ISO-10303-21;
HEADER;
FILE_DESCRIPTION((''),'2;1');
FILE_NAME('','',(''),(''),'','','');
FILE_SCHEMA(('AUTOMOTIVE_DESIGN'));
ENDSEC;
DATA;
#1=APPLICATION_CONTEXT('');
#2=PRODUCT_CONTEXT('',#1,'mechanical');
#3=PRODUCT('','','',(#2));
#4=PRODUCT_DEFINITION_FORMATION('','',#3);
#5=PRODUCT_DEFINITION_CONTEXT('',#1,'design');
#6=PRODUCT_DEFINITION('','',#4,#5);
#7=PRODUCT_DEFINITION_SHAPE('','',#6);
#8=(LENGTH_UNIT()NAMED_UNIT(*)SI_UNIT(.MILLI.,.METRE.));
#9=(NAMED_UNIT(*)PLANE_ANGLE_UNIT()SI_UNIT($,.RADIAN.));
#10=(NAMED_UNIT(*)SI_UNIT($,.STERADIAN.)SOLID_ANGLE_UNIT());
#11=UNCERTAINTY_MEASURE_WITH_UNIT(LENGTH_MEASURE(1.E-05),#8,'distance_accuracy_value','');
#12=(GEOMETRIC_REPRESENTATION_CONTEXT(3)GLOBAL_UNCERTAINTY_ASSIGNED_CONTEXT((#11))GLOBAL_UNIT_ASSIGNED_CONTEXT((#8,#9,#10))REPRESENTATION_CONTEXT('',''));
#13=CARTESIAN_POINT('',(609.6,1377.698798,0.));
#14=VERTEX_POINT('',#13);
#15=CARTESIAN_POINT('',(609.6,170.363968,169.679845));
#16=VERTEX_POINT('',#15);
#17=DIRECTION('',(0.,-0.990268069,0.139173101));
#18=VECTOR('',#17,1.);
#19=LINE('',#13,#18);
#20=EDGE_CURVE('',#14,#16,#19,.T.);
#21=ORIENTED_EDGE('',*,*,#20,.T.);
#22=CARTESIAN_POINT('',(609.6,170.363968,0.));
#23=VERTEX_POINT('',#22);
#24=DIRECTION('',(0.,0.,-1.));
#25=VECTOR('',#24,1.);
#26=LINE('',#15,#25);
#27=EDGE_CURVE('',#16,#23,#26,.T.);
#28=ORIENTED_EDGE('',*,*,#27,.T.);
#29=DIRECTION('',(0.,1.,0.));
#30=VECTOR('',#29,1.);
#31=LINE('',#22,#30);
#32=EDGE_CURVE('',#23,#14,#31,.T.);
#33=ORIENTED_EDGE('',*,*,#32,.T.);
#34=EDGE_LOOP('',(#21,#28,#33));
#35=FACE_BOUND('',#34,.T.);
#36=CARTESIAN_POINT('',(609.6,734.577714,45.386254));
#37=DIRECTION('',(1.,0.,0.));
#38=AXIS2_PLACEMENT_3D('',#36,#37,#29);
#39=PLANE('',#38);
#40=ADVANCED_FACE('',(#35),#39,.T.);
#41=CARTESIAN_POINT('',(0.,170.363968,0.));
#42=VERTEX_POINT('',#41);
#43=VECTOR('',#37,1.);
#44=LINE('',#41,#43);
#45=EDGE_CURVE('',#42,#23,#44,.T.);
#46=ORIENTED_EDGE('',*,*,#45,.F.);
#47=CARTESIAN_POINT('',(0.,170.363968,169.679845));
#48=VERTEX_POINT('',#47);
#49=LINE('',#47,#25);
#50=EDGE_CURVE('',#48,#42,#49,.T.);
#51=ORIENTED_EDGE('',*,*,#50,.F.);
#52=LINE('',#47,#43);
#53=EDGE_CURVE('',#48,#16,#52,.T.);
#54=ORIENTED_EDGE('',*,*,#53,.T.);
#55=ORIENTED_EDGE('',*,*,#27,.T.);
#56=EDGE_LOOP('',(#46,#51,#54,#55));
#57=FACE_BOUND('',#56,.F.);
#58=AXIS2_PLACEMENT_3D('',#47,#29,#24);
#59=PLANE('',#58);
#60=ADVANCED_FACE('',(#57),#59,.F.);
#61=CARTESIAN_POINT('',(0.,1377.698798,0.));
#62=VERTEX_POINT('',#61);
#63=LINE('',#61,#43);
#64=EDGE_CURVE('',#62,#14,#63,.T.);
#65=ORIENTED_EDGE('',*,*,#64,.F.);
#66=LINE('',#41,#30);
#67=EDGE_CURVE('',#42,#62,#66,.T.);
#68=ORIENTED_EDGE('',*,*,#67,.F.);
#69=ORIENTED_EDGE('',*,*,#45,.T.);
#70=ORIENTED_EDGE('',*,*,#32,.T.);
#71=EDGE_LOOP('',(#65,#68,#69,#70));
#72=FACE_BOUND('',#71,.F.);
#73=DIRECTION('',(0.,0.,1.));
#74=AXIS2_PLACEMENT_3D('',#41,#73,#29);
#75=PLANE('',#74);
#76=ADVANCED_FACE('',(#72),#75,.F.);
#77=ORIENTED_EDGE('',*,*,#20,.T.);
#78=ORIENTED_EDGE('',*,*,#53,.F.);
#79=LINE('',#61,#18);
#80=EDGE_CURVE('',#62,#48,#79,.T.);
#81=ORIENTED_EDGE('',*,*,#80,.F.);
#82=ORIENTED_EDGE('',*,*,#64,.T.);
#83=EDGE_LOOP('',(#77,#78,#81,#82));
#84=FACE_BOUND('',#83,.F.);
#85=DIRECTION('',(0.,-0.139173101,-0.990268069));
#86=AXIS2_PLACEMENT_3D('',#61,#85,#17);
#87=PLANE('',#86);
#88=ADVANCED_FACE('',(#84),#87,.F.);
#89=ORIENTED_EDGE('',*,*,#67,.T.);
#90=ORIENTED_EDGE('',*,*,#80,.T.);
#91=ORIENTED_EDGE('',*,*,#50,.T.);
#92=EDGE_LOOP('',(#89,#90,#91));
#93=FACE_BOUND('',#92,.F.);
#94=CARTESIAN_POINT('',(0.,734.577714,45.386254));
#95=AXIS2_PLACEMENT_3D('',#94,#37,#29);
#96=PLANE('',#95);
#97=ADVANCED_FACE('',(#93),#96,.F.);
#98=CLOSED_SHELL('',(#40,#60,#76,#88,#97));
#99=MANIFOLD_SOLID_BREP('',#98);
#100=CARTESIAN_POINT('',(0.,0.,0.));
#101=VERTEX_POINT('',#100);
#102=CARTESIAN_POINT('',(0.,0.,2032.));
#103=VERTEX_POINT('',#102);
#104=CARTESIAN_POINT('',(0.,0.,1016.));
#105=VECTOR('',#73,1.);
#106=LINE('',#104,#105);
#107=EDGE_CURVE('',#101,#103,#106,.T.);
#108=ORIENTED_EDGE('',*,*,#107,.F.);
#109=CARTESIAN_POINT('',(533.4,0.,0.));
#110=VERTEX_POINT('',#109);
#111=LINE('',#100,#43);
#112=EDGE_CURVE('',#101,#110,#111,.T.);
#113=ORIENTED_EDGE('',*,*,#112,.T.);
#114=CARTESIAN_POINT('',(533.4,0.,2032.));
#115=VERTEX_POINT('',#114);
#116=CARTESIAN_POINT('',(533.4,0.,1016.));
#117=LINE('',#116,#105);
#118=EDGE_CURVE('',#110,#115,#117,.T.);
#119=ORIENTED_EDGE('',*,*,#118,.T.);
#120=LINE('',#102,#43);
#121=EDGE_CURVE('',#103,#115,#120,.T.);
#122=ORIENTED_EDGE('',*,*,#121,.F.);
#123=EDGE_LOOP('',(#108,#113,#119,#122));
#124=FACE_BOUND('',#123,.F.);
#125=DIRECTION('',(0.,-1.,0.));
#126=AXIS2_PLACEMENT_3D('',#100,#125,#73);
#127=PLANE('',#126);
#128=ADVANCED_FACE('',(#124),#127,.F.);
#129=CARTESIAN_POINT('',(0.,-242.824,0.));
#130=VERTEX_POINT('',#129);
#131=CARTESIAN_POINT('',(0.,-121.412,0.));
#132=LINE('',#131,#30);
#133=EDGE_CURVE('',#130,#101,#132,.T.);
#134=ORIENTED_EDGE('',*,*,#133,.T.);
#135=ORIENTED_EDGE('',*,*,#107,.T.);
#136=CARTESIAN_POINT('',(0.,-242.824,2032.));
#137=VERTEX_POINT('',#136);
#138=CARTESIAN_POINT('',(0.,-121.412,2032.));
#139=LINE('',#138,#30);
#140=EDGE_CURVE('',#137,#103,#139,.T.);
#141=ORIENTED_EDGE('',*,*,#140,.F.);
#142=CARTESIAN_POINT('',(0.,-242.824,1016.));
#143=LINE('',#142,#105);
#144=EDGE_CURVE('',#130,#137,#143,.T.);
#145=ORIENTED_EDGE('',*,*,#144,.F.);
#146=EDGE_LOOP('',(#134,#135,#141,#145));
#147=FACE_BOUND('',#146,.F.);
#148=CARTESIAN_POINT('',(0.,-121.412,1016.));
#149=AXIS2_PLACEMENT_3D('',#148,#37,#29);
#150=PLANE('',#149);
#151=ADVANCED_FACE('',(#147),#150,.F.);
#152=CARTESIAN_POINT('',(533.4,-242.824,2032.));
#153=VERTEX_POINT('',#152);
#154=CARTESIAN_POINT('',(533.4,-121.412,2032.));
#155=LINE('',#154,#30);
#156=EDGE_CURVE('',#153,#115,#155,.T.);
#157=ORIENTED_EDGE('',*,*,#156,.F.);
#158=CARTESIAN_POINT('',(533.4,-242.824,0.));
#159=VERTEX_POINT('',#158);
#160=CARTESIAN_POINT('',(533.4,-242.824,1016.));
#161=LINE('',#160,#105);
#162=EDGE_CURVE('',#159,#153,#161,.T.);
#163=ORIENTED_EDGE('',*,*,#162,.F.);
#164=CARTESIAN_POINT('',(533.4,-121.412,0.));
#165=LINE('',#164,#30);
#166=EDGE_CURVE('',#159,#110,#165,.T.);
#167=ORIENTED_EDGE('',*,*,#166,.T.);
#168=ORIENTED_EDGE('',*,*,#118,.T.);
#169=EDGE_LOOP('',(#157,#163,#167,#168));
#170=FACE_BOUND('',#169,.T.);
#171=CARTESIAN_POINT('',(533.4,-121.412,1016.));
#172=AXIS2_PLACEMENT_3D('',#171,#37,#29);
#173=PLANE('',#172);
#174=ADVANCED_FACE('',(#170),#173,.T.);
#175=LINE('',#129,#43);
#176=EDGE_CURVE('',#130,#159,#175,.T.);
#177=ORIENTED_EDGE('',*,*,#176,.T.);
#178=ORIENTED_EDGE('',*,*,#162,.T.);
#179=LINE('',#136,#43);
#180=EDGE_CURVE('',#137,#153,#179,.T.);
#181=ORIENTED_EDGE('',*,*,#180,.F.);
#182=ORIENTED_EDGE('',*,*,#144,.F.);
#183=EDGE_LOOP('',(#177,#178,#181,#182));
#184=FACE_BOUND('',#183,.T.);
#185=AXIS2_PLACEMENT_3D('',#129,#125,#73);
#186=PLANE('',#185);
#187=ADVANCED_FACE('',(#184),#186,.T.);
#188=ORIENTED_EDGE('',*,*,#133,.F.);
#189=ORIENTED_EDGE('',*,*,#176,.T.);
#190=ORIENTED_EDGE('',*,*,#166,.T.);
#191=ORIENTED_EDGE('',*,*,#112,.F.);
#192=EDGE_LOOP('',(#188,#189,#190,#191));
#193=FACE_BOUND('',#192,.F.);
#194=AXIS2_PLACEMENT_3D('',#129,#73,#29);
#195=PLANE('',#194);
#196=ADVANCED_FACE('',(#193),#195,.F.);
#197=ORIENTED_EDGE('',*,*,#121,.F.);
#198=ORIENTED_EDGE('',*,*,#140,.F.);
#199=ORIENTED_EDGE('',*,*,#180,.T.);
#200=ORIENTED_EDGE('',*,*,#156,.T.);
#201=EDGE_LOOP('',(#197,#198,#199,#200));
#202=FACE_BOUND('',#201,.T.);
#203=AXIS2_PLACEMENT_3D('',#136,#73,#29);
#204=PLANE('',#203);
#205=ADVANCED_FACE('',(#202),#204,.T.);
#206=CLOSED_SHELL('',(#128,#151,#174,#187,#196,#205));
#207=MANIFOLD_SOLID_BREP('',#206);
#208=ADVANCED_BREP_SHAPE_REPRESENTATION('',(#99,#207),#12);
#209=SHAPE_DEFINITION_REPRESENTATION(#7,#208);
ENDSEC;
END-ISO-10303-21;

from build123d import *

# Parameters (mm, degrees)
F1_DEPTH = 609.6
F2_W     = 242.824
F2_H     = 2032
F3_DEPTH = 533.4


with BuildPart() as f1:
    # F0 (on Right) → F1 (new body)
    with BuildSketch(Plane.YZ):
        Polygon((170.363968, 169.679845), (170.363968, 0), (1377.698798, 0), align=None)
    extrude(amount=F1_DEPTH)


with BuildPart() as f3:
    # F2 (on Right) → F3 (new body)
    with BuildSketch(Plane.YZ):
        with Locations((-121.412, 1016)):
            Rectangle(F2_W, F2_H)
    extrude(amount=F3_DEPTH)


solid = Compound([f1.part, f3.part])
